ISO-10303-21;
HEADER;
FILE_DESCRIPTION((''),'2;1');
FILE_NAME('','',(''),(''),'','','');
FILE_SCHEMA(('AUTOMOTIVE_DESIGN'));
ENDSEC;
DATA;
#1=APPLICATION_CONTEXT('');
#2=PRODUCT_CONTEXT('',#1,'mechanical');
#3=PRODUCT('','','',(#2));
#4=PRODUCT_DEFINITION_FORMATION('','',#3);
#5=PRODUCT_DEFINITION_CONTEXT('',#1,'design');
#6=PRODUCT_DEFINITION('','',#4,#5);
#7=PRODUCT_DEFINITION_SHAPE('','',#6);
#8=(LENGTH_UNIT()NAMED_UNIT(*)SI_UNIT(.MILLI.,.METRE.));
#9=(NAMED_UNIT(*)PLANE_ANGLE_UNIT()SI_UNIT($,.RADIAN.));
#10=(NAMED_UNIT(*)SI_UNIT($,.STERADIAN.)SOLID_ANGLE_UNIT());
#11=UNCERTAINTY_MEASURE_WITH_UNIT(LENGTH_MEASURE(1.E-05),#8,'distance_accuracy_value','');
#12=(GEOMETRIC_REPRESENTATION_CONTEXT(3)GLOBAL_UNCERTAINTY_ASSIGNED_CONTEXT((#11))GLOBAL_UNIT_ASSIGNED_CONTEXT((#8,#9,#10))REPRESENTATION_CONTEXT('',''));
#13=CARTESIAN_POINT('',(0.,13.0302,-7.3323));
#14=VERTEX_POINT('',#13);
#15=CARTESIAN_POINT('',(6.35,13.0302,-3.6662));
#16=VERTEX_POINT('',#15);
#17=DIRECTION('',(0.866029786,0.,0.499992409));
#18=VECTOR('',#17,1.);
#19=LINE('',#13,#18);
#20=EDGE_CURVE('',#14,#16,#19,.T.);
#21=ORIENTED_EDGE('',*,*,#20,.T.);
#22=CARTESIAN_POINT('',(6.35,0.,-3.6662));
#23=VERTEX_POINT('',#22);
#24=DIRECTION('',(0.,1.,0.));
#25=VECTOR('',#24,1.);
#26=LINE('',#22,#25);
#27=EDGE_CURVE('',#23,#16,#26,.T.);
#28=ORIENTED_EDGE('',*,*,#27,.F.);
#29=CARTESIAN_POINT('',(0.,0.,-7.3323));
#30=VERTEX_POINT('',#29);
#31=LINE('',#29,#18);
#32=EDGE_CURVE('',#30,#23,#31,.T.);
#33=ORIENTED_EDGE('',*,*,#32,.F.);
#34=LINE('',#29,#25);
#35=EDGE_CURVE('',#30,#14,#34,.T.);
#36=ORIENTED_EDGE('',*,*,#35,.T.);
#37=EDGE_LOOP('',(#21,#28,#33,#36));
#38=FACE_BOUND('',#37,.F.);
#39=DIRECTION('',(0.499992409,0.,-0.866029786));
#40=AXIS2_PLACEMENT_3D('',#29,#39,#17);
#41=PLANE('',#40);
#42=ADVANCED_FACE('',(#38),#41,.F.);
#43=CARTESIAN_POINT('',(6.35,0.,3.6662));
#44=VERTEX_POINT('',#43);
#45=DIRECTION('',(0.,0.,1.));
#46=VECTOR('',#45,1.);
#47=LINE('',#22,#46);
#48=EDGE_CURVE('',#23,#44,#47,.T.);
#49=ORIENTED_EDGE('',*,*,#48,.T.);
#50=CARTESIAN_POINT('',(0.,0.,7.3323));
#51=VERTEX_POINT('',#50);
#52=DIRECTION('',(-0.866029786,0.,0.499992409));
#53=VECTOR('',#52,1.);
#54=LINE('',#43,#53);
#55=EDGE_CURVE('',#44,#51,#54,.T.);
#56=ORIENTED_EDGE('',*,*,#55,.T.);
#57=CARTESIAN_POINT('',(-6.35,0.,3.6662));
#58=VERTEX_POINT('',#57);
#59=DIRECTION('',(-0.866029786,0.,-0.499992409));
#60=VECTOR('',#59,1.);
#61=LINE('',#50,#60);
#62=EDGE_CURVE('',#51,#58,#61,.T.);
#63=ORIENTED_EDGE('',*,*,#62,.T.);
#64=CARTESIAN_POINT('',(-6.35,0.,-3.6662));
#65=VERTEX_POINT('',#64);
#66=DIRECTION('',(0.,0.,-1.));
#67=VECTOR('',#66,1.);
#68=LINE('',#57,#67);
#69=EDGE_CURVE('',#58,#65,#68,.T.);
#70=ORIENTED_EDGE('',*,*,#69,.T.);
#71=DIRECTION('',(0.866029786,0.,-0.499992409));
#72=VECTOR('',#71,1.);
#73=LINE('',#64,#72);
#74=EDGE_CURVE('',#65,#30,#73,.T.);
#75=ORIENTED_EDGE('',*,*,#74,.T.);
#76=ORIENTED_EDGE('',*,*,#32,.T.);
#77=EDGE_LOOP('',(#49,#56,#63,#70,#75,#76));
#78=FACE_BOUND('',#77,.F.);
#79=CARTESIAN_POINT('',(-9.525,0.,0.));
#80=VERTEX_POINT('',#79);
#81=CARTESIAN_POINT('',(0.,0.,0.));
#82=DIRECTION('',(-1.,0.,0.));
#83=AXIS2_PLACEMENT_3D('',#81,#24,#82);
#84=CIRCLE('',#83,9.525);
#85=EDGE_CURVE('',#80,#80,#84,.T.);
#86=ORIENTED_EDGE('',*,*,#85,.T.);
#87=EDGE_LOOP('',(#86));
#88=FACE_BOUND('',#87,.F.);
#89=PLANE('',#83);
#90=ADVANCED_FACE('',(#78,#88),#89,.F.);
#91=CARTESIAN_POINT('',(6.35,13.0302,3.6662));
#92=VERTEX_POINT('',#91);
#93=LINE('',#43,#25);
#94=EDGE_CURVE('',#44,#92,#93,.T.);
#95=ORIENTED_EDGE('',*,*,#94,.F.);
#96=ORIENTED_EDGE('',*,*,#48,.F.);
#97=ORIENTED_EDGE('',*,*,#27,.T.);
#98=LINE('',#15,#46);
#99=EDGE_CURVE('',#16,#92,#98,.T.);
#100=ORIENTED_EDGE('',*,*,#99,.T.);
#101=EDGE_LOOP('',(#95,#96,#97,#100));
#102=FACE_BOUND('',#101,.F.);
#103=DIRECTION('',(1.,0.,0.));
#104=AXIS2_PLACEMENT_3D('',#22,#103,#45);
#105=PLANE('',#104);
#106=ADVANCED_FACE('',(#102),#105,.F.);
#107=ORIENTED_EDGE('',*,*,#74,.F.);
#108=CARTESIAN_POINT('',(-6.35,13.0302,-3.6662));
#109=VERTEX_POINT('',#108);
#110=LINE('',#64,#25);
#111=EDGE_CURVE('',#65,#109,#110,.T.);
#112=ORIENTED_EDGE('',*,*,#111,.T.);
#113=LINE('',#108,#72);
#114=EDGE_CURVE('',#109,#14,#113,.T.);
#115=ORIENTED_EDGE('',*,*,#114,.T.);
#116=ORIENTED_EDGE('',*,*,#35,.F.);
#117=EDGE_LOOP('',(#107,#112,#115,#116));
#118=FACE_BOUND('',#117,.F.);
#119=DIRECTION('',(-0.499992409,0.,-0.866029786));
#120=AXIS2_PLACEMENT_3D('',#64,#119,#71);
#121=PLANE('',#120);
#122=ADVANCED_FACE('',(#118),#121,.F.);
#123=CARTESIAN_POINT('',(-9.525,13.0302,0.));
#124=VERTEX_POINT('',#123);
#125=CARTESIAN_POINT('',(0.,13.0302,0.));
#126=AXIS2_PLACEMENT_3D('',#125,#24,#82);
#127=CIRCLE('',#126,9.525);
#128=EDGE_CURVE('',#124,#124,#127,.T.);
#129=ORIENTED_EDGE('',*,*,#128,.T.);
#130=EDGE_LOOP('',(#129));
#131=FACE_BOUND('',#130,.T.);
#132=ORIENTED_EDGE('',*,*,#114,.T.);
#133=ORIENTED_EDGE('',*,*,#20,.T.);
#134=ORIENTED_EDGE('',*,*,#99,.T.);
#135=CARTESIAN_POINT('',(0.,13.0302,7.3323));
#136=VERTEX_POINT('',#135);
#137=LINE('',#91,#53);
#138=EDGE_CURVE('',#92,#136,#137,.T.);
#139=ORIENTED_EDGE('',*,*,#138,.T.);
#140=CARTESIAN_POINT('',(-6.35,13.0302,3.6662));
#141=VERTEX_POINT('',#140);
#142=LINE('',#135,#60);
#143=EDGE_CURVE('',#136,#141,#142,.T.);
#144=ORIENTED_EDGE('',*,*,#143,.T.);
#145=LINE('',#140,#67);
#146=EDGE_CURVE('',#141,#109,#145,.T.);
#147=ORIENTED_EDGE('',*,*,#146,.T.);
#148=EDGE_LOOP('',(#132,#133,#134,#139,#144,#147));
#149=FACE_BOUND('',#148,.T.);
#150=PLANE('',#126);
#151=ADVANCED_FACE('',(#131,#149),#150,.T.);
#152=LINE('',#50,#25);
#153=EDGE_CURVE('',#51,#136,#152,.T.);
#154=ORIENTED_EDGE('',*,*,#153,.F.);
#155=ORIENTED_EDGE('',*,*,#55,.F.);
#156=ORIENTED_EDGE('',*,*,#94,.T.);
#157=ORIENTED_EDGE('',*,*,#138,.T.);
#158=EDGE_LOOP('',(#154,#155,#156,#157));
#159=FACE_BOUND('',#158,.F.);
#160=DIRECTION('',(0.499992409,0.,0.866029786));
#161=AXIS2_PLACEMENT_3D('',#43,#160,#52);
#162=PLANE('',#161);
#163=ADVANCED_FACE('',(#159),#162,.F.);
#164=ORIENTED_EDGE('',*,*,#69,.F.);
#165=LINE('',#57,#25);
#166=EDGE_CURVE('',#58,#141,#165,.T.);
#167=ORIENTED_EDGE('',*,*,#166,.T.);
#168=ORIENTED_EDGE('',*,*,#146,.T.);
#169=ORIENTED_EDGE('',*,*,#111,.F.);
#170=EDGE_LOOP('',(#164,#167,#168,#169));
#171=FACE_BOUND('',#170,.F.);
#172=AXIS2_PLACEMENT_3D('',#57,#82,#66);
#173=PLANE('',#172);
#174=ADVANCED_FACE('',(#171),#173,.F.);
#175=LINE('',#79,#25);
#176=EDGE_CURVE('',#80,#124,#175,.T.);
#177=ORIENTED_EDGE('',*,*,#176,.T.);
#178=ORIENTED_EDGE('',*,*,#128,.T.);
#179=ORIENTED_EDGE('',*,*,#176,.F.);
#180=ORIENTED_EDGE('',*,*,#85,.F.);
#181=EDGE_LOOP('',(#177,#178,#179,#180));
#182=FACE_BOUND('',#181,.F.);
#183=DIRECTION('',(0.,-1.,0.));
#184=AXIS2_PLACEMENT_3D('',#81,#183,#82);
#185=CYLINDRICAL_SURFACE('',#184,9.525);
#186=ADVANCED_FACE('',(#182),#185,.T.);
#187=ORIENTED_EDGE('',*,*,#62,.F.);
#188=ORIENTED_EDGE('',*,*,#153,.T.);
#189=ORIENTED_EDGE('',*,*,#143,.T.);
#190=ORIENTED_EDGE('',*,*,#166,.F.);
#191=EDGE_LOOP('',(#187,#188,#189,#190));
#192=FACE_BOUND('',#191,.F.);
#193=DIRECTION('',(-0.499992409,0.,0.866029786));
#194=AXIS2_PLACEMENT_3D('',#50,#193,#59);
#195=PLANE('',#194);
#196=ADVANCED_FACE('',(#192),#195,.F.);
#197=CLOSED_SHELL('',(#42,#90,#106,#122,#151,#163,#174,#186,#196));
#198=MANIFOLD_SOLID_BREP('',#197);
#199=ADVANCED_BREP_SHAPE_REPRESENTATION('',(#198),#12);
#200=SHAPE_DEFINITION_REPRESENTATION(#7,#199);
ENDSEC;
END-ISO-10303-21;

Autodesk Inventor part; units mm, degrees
ref_plane "YZ Plane" through (0, 0, 0) normal (1, 0, 0) x (0, 1, 0)
ref_plane "XZ Plane" through (0, 0, 0) normal (0, 1, 0) x (-1, 0, 0)
ref_plane "XY Plane" through (0, 0, 0) normal (0, 0, 1) x (1, 0, 0)
sketch "Sketch1" plane through (0, 0, 0) normal (0, 1, 0) x (-1, 0, 0)
  circle A0 centre (0, 0) radius 6.35 construction
  line L0 (6.35, -3.6662) -> (0, -7.3323)
  line L1 (0, -7.3323) -> (-6.35, -3.6662)
  line L2 (-6.35, -3.6662) -> (-6.35, 3.6662)
  line L3 (-6.35, 3.6662) -> (0, 7.3323)
  line L4 (0, 7.3323) -> (6.35, 3.6662)
  line L5 (6.35, 3.6662) -> (6.35, -3.6662)
  circle A1 centre (0, 0) radius 9.525
  point P0 (6.35, 0)
  dimension "d0" = 12.7
  dimension "d1" = 19.05
extrude "Extrusion1" add sketch "Sketch1" along normal blind 13.0302
properties part number "SportGearbox_HexDiffGearSpacer"
